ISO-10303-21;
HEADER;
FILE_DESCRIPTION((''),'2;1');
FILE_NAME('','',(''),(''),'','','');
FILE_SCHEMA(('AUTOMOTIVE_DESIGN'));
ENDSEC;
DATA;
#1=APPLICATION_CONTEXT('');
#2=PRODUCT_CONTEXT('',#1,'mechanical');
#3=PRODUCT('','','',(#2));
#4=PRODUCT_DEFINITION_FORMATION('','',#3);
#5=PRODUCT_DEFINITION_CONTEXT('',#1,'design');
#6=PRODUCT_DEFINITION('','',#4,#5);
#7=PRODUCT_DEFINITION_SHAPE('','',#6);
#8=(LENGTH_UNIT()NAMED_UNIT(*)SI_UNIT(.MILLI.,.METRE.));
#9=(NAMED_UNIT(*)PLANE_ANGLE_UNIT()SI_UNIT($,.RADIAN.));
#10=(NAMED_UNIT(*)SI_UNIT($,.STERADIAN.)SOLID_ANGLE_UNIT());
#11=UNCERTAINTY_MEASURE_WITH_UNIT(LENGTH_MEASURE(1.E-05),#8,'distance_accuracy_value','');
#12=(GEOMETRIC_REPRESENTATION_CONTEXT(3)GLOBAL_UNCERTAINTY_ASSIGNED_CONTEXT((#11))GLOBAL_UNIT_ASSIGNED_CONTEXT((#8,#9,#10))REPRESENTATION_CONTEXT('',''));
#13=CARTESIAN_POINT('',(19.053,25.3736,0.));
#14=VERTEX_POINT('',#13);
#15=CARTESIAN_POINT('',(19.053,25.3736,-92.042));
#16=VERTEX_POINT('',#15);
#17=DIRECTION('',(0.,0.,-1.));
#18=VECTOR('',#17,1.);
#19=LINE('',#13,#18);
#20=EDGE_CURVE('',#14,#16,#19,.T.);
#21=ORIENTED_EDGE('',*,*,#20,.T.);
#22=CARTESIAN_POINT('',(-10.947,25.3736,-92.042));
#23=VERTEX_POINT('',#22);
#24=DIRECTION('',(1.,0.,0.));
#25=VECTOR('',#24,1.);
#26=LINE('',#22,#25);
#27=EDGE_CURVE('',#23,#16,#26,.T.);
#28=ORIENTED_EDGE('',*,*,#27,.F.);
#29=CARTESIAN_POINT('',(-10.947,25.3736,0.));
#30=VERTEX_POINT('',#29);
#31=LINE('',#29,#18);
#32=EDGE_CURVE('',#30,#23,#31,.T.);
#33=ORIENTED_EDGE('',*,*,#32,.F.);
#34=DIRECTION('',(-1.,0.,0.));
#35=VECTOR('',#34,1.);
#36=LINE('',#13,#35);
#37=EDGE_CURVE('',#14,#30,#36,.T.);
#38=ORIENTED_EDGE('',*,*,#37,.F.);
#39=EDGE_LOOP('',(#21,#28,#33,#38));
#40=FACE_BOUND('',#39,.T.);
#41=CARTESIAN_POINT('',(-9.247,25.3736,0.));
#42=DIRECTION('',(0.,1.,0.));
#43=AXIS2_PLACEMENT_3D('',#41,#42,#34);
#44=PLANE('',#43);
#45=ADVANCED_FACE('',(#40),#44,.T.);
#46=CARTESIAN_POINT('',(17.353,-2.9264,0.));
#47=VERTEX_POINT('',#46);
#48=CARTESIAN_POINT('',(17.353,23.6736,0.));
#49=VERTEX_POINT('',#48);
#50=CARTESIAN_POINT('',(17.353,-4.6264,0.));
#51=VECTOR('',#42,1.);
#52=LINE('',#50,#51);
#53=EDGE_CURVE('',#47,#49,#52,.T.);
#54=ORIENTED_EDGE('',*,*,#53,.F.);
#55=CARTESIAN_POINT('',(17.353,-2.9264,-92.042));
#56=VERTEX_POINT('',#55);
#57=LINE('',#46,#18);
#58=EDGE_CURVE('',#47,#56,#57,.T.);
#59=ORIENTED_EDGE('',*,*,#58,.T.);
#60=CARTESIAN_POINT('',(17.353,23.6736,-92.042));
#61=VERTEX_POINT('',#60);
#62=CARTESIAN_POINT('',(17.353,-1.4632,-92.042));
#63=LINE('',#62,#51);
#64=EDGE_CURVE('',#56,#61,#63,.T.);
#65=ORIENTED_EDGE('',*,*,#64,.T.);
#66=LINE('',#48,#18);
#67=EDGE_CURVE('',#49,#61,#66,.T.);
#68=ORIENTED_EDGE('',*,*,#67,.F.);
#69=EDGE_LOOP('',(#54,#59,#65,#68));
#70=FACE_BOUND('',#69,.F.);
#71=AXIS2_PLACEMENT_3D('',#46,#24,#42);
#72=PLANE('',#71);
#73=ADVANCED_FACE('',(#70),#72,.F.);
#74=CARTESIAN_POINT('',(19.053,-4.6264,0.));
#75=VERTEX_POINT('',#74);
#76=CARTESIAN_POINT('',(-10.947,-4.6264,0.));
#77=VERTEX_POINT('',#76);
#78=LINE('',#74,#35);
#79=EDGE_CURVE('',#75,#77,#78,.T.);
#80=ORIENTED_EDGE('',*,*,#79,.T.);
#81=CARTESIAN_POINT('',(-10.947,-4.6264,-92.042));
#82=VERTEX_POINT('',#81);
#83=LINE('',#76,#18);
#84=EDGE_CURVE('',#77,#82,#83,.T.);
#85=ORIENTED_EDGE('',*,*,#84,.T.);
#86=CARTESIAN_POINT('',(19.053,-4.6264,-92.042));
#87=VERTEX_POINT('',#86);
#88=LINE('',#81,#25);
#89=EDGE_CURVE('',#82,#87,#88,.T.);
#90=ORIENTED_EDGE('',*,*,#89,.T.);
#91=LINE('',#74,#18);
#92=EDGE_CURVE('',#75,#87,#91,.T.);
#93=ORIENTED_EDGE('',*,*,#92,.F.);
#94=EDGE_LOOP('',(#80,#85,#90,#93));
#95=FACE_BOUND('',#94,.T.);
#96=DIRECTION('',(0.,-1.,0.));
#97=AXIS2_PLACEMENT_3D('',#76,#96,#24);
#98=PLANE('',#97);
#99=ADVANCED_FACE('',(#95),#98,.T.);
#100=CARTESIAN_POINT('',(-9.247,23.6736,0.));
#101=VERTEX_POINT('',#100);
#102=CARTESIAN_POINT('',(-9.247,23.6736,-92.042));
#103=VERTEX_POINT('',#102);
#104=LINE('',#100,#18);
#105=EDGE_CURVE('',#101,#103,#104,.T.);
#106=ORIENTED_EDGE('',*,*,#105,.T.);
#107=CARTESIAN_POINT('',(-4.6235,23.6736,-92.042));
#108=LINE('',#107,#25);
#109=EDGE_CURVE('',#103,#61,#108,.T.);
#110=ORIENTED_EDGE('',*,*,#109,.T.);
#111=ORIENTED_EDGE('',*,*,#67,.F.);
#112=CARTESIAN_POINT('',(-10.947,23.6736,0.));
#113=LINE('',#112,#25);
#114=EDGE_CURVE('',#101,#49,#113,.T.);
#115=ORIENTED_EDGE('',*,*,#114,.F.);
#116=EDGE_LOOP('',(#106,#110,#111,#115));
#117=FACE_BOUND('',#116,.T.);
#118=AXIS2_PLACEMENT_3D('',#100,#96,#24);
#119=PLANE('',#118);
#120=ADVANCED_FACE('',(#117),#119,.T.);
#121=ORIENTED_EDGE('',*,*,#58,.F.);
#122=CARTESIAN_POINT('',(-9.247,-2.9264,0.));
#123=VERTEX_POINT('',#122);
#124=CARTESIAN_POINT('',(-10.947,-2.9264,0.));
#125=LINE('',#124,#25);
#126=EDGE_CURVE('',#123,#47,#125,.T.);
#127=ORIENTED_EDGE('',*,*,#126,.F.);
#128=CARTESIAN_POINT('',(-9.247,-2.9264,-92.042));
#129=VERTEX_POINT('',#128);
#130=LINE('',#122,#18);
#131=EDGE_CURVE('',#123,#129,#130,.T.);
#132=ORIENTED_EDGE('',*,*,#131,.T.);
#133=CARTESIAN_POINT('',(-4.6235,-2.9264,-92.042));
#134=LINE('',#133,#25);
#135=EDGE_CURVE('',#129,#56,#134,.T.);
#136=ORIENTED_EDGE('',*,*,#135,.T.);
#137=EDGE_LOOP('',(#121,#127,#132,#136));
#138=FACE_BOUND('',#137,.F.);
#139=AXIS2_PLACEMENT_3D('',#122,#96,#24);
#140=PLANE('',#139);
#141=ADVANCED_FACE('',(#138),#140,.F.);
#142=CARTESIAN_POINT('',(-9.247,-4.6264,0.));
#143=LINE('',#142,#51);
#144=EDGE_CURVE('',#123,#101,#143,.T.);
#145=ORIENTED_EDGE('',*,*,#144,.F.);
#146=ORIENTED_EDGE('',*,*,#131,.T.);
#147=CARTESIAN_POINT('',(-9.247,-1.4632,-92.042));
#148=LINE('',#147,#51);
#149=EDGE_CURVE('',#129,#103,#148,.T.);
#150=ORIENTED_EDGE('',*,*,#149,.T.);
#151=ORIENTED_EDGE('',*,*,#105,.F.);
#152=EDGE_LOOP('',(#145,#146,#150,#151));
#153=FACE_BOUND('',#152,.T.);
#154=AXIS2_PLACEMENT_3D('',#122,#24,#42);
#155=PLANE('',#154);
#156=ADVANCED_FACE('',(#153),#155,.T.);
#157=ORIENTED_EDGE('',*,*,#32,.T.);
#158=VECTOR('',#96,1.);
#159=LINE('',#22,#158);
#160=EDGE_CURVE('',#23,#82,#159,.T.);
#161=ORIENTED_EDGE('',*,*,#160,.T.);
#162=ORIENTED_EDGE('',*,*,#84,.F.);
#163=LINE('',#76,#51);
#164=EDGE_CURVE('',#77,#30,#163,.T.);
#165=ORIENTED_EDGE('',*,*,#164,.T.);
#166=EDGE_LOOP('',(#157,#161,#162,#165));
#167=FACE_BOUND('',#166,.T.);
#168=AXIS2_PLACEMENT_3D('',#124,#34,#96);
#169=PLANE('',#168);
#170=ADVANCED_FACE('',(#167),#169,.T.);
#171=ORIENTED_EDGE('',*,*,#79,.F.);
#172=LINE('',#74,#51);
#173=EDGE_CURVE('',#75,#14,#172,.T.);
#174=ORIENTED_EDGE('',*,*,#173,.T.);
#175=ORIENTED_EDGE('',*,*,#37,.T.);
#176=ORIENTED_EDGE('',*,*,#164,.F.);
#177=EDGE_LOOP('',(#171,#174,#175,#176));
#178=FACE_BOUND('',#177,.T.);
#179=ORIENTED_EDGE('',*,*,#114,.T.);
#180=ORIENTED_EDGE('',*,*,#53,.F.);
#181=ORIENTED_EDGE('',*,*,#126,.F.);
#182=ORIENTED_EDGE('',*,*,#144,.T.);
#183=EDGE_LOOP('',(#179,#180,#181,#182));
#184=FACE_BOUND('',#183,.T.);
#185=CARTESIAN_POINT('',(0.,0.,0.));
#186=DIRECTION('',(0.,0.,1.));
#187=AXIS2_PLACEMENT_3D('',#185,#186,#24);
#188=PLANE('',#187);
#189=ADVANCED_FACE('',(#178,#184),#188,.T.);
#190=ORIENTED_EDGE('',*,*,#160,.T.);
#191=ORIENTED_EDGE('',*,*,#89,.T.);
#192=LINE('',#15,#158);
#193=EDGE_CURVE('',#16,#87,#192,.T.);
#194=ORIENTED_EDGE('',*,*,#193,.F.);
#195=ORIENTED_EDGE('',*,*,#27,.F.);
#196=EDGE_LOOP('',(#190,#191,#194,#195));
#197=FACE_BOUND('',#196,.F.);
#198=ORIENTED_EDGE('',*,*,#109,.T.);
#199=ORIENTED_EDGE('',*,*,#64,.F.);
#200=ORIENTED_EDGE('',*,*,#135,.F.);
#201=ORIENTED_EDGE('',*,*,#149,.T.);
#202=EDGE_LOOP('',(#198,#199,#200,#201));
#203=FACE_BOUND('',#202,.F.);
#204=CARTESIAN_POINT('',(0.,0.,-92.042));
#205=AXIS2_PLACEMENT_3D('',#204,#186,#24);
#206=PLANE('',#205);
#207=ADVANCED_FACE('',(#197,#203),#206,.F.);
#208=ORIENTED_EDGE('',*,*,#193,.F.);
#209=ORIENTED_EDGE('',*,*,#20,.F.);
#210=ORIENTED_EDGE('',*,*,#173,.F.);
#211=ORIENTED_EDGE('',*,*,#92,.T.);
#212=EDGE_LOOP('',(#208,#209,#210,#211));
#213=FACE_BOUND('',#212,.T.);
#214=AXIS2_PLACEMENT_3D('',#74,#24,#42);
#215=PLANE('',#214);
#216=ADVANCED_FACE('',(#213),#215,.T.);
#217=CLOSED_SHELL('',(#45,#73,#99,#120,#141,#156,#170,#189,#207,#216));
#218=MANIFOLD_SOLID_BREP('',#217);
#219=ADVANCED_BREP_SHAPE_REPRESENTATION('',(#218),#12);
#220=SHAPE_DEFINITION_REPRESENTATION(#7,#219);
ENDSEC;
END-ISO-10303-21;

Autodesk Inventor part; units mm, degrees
ref_plane "YZ Plane" through (0, 0, 0) normal (1, 0, 0) x (0, 1, 0)
ref_plane "XZ Plane" through (0, 0, 0) normal (0, 1, 0) x (-1, 0, 0)
ref_plane "XY Plane" through (0, 0, 0) normal (0, 0, 1) x (1, 0, 0)
sketch "Sketch1" plane through (0, 0, 0) normal (0, 0, 1) x (1, 0, 0)
  line L0 (-10.947, -4.6264) -> (19.053, -4.6264)
  line L1 (19.053, -4.6264) -> (19.053, 25.3736)
  line L2 (19.053, 25.3736) -> (-10.947, 25.3736)
  line L3 (-10.947, 25.3736) -> (-10.947, -4.6264)
  line L4 (-10.947, 23.6736) -> (19.053, 23.6736)
  line L5 (-9.247, -4.6264) -> (-9.247, 25.3736)
  line L6 (17.353, -4.6264) -> (17.353, 25.3736)
  line L7 (-10.947, -2.9264) -> (19.053, -2.9264)
  point P0 (0, 0)
  point P1 (-9.247, -2.9264)
  point P2 (17.353, -2.9264)
  point P3 (17.353, 23.6736)
  point P4 (-9.247, 23.6736)
  dimension "d0" = 30
  dimension "d1" = 30
  dimension "d2" = 1.7
  dimension "d3" = 1.7
  dimension "d4" = 1.7
  dimension "d5" = 1.7
extrude "Extrusion1" add sketch "Sketch1" against normal blind 92.042
extrude "Extrusion2" cut sketch "Sketch1" against normal blind 100000 contours L5 L4 L6 L7
properties part number "Cablecanal Ranurado 30x30 L=116 mm" material "PPS Plastic"
